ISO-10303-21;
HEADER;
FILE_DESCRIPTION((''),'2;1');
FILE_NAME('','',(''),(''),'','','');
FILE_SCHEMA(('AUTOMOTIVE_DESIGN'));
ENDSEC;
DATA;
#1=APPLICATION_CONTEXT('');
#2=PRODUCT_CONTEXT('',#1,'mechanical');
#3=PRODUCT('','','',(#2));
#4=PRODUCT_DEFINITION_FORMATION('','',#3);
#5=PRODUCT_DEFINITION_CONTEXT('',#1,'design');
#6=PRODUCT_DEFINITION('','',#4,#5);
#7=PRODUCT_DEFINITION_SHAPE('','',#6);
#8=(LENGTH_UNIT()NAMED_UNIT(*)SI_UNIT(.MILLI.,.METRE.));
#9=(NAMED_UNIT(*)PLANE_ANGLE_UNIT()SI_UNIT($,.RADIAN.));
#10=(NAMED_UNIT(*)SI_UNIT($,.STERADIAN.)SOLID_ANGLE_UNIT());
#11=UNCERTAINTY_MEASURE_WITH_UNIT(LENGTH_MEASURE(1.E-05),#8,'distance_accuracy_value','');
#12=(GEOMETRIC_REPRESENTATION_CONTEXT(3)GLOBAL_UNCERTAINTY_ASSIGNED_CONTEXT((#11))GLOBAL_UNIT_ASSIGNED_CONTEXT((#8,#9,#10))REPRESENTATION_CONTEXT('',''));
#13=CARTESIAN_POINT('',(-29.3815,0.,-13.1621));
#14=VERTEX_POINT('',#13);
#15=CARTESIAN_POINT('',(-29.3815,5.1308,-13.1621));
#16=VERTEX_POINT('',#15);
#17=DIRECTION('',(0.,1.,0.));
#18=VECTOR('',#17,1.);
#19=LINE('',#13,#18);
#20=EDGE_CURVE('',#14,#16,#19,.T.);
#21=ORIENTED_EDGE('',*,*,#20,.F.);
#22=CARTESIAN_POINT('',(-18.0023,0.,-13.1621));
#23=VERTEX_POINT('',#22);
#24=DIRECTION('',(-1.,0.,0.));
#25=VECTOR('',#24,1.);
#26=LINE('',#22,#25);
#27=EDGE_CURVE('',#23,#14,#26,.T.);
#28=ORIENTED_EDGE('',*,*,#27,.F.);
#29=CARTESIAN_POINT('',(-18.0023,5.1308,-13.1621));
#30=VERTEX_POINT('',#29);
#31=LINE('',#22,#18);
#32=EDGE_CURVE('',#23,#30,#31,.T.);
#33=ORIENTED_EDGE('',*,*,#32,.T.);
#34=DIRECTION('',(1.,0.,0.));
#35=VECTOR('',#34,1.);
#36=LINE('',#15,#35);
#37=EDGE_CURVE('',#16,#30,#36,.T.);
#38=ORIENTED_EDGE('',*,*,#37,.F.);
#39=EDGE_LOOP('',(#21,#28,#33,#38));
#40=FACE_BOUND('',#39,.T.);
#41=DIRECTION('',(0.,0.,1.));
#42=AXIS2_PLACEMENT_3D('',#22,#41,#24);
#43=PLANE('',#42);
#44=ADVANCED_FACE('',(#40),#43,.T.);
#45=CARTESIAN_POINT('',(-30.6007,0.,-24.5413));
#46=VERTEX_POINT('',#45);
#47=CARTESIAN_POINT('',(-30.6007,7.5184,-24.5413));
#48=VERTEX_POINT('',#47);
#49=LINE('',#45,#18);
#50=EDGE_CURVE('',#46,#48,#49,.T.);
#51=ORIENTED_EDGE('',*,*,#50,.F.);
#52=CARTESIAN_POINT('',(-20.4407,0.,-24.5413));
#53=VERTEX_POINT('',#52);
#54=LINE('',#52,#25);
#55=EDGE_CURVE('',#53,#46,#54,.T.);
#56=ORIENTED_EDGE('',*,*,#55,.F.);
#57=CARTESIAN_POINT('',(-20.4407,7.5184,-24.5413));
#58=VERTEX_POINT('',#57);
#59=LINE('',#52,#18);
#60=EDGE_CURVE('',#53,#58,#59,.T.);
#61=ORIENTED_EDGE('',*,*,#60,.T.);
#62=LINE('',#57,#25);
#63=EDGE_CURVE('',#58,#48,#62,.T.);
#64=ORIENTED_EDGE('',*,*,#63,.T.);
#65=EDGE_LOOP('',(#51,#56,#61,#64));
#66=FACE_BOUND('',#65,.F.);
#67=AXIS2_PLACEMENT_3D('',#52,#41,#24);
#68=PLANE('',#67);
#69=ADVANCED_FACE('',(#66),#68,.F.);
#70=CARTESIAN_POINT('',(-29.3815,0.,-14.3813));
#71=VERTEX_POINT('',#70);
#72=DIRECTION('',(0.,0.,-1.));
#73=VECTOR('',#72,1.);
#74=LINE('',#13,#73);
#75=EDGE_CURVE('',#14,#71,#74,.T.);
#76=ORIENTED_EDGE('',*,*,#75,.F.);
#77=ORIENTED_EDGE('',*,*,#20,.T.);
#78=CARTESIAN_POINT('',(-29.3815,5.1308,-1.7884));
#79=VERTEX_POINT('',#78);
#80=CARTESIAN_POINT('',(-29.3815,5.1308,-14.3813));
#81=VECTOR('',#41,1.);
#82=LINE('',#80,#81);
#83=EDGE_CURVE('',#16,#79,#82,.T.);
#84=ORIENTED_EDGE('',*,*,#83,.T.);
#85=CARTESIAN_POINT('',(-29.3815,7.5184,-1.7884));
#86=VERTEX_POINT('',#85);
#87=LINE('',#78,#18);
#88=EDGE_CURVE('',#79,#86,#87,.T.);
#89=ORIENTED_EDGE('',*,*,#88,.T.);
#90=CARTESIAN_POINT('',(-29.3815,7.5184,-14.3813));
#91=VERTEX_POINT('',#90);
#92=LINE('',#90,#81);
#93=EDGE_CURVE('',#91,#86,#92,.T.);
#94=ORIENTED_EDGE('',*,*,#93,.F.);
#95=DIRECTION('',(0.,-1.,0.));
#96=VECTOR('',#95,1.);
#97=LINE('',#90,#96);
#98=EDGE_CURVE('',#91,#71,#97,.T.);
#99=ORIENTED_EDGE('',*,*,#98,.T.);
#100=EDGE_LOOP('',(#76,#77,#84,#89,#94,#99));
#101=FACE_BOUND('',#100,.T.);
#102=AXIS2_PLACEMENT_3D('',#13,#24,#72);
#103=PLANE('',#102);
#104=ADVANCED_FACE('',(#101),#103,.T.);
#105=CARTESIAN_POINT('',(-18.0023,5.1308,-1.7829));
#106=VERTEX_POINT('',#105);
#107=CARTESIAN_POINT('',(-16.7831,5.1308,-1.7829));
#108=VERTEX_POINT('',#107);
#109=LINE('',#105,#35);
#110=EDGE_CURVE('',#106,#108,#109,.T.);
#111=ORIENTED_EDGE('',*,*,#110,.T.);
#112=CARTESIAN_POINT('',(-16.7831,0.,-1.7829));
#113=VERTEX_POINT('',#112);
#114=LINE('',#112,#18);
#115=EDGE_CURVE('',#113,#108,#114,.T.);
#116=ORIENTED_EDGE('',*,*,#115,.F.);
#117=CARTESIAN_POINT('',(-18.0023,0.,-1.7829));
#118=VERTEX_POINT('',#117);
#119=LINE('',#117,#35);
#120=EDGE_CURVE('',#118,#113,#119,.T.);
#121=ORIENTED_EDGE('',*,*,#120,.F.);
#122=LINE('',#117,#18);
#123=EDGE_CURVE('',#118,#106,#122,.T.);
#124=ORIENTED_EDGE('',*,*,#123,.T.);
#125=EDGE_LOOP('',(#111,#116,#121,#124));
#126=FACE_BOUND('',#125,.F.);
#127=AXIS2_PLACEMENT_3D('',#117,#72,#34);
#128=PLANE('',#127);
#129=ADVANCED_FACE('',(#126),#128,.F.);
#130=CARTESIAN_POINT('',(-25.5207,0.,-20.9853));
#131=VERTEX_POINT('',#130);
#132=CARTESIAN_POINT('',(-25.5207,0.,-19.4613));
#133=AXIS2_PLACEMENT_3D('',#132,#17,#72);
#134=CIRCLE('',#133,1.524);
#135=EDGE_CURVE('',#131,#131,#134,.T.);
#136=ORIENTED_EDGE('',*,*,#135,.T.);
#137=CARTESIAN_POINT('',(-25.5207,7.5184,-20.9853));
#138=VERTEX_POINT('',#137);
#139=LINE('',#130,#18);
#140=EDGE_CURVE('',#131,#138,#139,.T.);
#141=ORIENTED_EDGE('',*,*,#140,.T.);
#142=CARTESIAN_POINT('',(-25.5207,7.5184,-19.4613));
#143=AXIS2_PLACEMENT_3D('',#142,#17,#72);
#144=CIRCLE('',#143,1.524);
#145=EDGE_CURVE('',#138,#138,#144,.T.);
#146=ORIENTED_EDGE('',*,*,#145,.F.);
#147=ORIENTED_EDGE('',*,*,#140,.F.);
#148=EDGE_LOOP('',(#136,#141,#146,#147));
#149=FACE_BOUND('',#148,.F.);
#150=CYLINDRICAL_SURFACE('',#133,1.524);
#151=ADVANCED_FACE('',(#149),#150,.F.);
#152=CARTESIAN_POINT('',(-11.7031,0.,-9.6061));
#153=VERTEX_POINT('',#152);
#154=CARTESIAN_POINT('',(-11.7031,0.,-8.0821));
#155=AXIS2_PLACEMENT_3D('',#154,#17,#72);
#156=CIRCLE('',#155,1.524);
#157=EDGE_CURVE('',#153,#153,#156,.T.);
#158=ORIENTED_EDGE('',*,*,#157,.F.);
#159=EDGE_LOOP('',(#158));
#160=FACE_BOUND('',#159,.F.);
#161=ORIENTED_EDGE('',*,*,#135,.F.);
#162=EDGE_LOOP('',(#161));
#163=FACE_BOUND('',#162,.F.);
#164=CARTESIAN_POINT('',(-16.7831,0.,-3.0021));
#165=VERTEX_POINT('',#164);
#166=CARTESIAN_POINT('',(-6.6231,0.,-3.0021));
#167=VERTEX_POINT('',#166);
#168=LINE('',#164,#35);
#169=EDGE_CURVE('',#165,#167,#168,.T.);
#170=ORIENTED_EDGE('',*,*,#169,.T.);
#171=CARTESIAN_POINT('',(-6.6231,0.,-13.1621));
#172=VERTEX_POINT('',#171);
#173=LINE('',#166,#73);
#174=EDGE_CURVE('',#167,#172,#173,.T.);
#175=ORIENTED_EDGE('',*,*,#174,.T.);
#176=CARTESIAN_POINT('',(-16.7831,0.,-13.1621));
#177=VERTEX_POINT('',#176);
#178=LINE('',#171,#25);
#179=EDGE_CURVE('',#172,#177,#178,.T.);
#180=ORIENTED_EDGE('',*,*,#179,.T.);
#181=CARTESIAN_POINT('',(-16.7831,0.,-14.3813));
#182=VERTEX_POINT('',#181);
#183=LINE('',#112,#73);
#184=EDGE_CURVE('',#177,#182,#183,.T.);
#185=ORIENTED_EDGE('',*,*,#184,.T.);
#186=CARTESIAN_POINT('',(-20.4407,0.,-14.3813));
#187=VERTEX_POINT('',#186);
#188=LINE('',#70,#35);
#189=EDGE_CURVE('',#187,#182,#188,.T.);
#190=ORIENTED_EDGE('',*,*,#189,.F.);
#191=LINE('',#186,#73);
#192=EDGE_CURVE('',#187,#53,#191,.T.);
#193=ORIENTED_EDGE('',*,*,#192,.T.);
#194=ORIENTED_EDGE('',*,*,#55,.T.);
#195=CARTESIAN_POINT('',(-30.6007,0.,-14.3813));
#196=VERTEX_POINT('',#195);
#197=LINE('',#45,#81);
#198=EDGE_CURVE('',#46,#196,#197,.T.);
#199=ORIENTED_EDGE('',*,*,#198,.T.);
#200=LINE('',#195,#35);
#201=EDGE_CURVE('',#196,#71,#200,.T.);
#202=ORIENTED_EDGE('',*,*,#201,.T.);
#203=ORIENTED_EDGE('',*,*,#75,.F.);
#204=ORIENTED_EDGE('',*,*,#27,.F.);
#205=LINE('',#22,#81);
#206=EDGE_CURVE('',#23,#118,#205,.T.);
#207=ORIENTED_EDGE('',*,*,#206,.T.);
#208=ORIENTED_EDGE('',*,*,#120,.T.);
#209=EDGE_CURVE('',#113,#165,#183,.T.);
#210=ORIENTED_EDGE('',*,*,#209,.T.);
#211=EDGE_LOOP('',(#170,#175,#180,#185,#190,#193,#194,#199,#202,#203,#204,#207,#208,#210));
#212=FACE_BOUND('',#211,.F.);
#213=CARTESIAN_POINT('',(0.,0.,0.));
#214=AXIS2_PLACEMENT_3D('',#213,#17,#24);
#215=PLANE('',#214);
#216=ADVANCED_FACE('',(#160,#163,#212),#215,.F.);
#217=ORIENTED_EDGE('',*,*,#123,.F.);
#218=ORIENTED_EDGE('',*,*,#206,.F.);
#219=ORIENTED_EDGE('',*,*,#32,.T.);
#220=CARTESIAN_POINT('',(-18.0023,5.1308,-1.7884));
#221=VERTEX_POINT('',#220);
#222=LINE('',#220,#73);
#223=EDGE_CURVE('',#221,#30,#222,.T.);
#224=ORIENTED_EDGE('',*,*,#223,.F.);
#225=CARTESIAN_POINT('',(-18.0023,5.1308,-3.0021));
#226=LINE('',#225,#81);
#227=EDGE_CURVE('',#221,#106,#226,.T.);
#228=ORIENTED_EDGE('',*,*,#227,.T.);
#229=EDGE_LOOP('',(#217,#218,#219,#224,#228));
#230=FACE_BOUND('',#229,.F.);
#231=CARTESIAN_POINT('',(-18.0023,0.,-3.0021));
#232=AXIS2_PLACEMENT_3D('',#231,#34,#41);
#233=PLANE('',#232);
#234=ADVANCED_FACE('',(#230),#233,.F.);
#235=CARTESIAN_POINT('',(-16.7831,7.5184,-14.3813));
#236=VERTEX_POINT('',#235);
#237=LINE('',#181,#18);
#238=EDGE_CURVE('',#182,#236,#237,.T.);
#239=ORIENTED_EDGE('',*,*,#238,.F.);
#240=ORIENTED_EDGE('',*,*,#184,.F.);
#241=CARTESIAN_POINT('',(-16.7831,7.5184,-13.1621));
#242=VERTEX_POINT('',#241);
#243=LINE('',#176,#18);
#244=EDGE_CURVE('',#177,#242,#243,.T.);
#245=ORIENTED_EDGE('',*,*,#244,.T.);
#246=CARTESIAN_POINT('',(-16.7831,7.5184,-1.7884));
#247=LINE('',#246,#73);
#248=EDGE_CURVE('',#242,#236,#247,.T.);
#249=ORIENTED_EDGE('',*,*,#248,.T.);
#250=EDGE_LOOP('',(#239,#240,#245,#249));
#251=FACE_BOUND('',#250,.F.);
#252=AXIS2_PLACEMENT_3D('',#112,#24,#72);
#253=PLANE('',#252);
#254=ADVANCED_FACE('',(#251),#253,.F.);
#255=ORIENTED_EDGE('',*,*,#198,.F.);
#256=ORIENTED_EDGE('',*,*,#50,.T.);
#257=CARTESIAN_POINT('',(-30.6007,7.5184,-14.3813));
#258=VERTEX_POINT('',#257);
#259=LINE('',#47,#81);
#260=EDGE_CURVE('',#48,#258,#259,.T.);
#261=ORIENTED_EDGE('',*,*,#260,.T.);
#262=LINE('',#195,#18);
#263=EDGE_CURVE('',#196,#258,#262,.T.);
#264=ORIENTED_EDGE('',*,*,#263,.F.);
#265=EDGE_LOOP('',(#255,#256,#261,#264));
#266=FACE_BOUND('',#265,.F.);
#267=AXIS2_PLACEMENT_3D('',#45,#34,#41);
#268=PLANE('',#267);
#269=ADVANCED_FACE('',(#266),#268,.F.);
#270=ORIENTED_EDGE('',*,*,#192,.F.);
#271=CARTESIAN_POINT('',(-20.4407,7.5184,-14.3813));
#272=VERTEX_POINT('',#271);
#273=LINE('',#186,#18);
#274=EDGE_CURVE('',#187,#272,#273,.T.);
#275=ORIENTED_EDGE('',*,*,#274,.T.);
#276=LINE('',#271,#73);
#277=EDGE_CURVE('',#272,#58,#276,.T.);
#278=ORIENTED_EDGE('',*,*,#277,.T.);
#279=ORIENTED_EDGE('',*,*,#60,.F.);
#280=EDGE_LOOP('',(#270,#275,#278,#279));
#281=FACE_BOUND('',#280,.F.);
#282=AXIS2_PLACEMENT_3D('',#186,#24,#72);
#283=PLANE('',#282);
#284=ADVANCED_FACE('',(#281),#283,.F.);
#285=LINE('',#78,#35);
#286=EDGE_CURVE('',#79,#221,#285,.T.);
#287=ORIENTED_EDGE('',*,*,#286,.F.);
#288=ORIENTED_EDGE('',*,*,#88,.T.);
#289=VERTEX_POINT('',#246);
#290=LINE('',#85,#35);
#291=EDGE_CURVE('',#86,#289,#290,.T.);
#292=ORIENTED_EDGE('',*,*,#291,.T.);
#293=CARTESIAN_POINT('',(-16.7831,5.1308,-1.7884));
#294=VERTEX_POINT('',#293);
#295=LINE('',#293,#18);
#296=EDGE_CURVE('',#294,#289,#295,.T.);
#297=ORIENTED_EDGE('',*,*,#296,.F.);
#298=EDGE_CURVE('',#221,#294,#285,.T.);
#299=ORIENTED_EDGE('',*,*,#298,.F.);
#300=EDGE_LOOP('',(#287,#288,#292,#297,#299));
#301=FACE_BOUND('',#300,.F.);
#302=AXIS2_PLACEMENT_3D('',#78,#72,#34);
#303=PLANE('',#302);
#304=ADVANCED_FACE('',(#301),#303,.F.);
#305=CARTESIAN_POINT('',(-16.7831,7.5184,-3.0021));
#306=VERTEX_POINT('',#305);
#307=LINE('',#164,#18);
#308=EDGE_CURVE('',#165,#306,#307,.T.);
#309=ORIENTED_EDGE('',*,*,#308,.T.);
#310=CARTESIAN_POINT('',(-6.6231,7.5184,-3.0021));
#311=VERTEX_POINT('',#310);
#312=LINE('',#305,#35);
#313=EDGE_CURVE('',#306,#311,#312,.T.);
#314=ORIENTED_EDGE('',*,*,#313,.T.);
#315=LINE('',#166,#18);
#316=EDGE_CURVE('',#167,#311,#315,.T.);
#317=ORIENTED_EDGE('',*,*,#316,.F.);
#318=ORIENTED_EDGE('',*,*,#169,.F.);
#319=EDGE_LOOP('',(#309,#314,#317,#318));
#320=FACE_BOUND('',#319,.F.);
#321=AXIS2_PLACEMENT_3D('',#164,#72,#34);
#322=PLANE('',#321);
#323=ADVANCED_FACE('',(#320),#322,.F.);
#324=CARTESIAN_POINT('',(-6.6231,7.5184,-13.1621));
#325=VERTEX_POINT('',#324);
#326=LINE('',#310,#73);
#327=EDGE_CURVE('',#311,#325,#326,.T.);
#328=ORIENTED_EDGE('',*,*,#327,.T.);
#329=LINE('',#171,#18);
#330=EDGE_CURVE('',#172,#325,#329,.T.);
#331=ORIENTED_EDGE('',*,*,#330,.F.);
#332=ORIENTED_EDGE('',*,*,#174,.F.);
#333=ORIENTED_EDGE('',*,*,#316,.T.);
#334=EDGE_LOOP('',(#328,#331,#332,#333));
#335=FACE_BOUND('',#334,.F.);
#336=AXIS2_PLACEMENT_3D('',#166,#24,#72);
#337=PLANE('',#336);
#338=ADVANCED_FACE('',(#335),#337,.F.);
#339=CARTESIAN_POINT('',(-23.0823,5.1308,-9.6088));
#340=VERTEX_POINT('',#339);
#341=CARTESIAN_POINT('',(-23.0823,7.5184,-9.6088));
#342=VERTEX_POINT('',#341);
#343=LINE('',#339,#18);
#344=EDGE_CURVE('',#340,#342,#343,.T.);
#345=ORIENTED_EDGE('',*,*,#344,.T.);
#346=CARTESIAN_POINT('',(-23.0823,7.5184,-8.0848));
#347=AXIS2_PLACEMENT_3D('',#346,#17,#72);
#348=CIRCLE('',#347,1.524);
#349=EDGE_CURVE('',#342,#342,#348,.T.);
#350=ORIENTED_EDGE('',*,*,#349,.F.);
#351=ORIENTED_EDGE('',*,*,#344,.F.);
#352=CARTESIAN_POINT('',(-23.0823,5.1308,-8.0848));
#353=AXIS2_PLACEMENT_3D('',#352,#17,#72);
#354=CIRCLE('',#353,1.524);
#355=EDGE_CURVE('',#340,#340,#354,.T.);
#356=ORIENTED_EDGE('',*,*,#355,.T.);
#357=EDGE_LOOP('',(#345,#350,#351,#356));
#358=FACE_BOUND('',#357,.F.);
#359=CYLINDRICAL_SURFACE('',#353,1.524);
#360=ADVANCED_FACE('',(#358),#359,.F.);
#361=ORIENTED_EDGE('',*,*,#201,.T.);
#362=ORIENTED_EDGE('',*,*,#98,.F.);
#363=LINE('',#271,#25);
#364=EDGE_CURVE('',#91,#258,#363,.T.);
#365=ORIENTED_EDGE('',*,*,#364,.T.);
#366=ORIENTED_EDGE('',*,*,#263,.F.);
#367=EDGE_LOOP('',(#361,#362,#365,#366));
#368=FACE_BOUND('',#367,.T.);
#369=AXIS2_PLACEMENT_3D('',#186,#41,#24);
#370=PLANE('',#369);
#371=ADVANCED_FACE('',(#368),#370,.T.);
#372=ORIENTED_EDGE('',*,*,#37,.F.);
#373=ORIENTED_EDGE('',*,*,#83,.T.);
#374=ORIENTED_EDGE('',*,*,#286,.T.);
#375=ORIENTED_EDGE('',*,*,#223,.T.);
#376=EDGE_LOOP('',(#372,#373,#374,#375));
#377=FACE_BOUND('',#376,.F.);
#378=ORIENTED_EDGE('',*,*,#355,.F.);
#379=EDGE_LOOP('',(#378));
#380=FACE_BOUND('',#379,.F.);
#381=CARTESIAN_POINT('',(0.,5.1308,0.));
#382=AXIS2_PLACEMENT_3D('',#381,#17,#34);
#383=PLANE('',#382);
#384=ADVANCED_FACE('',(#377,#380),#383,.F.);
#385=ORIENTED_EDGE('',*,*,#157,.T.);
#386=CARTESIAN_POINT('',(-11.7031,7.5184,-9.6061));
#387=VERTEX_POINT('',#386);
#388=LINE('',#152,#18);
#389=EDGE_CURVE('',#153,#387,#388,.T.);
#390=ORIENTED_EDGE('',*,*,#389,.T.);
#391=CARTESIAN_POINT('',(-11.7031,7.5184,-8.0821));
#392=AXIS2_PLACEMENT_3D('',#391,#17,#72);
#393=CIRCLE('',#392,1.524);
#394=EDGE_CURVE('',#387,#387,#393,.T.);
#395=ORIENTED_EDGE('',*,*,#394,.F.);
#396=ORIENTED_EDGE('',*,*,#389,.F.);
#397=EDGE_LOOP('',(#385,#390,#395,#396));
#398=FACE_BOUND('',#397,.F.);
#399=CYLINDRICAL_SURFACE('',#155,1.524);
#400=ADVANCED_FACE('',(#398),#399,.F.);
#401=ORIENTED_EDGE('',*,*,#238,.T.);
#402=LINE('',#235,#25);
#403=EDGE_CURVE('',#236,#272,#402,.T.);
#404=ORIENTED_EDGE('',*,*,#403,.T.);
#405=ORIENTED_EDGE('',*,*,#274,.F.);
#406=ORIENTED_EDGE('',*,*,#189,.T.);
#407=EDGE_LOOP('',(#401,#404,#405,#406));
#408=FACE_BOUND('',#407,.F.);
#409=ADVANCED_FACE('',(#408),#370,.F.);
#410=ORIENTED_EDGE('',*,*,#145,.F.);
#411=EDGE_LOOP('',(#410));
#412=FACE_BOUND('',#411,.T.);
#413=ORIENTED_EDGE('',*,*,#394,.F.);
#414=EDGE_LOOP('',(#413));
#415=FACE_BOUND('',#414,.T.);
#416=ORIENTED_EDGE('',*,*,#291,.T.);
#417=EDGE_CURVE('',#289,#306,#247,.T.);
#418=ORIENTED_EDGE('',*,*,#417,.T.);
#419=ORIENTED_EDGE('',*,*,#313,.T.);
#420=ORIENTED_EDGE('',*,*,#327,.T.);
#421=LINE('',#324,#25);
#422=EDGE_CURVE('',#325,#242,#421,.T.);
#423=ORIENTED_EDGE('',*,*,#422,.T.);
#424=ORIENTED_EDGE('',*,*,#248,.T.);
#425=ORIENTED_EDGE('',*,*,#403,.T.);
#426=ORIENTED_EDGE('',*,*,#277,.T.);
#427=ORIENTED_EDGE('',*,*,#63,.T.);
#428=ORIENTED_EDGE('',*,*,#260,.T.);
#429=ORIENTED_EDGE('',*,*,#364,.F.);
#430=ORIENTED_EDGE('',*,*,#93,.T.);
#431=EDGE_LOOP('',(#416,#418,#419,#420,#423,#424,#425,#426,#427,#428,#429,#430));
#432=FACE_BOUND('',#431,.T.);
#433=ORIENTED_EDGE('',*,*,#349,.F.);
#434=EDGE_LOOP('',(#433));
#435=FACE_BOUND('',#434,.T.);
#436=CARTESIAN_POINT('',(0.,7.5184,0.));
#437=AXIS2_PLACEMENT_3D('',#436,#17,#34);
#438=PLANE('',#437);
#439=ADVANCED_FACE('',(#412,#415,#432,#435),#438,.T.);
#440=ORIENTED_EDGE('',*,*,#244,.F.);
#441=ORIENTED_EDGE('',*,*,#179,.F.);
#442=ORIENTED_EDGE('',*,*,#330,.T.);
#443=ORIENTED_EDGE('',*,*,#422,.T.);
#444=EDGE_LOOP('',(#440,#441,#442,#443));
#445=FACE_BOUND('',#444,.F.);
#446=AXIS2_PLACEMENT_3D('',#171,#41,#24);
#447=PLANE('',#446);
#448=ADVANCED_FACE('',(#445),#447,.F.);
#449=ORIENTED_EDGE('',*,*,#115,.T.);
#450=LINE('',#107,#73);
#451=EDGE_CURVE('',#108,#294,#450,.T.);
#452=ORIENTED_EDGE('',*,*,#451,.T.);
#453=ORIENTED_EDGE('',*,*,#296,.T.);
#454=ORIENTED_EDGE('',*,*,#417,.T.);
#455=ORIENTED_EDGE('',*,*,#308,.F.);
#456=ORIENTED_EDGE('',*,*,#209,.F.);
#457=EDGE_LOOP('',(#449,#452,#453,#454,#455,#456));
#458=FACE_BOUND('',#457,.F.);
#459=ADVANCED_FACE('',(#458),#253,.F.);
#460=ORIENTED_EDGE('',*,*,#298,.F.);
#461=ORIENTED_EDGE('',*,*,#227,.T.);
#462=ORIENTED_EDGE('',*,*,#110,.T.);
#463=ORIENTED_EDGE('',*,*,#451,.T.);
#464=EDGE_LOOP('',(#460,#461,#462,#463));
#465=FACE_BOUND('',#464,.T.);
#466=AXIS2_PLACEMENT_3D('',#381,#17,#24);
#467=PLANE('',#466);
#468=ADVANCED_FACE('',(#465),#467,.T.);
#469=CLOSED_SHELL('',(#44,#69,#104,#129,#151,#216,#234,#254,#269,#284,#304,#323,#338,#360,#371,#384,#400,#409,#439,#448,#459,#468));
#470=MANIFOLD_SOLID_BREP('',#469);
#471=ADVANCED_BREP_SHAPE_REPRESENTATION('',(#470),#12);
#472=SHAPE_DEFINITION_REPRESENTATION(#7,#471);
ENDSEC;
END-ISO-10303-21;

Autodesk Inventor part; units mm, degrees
ref_plane "YZ Plane" through (0, 0, 0) normal (1, 0, 0) x (0, 1, 0)
ref_plane "XZ Plane" through (0, 0, 0) normal (0, 1, 0) x (-1, 0, 0)
ref_plane "XY Plane" through (0, 0, 0) normal (0, 0, 1) x (1, 0, 0)
sketch "Sketch1" plane through (0, 0, 0) normal (0, 1, 0) x (-1, 0, 0)
  line L0 (16.7831, -1.7829) -> (16.7831, -14.3813)
  line L1 (16.7831, -14.3813) -> (29.3815, -14.3813)
  line L2 (28.1623, -3.0021) -> (18.0023, -3.0021)
  line L3 (18.0023, -3.0021) -> (18.0023, -13.1621)
  line L4 (18.0023, -13.1621) -> (28.1623, -13.1621)
  line L5 (28.1623, -13.1621) -> (28.1623, -3.0021)
  line L6 (28.1623, -3.0021) -> (29.3815, -3.0021)
  line L7 (30.6007, -14.3813) -> (20.4407, -14.3813)
  line L8 (20.4407, -14.3813) -> (20.4407, -24.5413)
  line L9 (20.4407, -24.5413) -> (30.6007, -24.5413)
  line L10 (30.6007, -24.5413) -> (30.6007, -14.3813)
  line L11 (16.7831, -3.0021) -> (6.6231, -3.0021)
  line L12 (6.6231, -3.0021) -> (6.6231, -13.1621)
  line L13 (6.6231, -13.1621) -> (16.7831, -13.1621)
  line L14 (16.7831, -13.1621) -> (16.7831, -3.0021)
  line L15 (28.1623, -13.1621) -> (29.3815, -13.1621)
  line L16 (18.0023, -3.0021) -> (18.0023, -1.7829)
  line L17 (29.3815, -13.1621) -> (29.3815, -14.3813)
  line L18 (18.0023, -1.7829) -> (16.7831, -1.7829)
  line L19 (18.0023, -1.7829) -> (16.7831, -1.7829)
  circle A0 centre (25.5207, -19.4613) radius 1.524
  circle A1 centre (11.7031, -8.0821) radius 1.524
  point P0 (0, 0)
  dimension "d16" = 3.048
  dimension "d17" = 3.048
extrude "Extrusion1" add sketch "Sketch1" along normal blind 5.1308 contours L18 L16 L3 L4 L15 L17 L1 L0
sketch "Sketch2" plane through (0, 5.1308, 0) normal (0, 1, 0) x (1, 0, 0)
  line L0 (-16.7831, 14.3813) -> (-29.3815, 14.3813) projected
  line L1 (-16.7831, 14.3813) -> (-29.3815, 14.3813)
  line L2 (-29.3815, 14.3813) -> (-29.3815, 1.7884)
  line L3 (-29.3815, 1.7884) -> (-16.7831, 1.7884)
  line L4 (-16.7831, 1.7884) -> (-16.7831, 14.3813)
  circle A0 centre (-23.0823, 8.0848) radius 1.524
  point P0 (0, 0)
  dimension "d4" = 3.048
extrude "Extrusion2" add sketch "Sketch2" along normal blind 2.3876 contours L4 L3 L2 L0 | A0
hole "Hole1" at (-23.0823, 5.1308, -8.0848) direction (0, 1, 0) diameter 3.048 end through all
extrude "Extrusion3" add sketch "Sketch1" along normal blind 7.5184 contours L1 L7 L10 L9 L8 | A0
extrude "Extrusion4" add sketch "Sketch1" along normal blind 7.5184 contours L0 L13 L12 L11 | A1
hole "Hole2" at (-11.7031, 0, -8.0821) direction (0, 1, 0) diameter 3.048 end through all
hole "Hole3" at (-25.5207, 0, -19.4613) direction (0, 1, 0) diameter 3.048 end through all
properties part number "tab"
